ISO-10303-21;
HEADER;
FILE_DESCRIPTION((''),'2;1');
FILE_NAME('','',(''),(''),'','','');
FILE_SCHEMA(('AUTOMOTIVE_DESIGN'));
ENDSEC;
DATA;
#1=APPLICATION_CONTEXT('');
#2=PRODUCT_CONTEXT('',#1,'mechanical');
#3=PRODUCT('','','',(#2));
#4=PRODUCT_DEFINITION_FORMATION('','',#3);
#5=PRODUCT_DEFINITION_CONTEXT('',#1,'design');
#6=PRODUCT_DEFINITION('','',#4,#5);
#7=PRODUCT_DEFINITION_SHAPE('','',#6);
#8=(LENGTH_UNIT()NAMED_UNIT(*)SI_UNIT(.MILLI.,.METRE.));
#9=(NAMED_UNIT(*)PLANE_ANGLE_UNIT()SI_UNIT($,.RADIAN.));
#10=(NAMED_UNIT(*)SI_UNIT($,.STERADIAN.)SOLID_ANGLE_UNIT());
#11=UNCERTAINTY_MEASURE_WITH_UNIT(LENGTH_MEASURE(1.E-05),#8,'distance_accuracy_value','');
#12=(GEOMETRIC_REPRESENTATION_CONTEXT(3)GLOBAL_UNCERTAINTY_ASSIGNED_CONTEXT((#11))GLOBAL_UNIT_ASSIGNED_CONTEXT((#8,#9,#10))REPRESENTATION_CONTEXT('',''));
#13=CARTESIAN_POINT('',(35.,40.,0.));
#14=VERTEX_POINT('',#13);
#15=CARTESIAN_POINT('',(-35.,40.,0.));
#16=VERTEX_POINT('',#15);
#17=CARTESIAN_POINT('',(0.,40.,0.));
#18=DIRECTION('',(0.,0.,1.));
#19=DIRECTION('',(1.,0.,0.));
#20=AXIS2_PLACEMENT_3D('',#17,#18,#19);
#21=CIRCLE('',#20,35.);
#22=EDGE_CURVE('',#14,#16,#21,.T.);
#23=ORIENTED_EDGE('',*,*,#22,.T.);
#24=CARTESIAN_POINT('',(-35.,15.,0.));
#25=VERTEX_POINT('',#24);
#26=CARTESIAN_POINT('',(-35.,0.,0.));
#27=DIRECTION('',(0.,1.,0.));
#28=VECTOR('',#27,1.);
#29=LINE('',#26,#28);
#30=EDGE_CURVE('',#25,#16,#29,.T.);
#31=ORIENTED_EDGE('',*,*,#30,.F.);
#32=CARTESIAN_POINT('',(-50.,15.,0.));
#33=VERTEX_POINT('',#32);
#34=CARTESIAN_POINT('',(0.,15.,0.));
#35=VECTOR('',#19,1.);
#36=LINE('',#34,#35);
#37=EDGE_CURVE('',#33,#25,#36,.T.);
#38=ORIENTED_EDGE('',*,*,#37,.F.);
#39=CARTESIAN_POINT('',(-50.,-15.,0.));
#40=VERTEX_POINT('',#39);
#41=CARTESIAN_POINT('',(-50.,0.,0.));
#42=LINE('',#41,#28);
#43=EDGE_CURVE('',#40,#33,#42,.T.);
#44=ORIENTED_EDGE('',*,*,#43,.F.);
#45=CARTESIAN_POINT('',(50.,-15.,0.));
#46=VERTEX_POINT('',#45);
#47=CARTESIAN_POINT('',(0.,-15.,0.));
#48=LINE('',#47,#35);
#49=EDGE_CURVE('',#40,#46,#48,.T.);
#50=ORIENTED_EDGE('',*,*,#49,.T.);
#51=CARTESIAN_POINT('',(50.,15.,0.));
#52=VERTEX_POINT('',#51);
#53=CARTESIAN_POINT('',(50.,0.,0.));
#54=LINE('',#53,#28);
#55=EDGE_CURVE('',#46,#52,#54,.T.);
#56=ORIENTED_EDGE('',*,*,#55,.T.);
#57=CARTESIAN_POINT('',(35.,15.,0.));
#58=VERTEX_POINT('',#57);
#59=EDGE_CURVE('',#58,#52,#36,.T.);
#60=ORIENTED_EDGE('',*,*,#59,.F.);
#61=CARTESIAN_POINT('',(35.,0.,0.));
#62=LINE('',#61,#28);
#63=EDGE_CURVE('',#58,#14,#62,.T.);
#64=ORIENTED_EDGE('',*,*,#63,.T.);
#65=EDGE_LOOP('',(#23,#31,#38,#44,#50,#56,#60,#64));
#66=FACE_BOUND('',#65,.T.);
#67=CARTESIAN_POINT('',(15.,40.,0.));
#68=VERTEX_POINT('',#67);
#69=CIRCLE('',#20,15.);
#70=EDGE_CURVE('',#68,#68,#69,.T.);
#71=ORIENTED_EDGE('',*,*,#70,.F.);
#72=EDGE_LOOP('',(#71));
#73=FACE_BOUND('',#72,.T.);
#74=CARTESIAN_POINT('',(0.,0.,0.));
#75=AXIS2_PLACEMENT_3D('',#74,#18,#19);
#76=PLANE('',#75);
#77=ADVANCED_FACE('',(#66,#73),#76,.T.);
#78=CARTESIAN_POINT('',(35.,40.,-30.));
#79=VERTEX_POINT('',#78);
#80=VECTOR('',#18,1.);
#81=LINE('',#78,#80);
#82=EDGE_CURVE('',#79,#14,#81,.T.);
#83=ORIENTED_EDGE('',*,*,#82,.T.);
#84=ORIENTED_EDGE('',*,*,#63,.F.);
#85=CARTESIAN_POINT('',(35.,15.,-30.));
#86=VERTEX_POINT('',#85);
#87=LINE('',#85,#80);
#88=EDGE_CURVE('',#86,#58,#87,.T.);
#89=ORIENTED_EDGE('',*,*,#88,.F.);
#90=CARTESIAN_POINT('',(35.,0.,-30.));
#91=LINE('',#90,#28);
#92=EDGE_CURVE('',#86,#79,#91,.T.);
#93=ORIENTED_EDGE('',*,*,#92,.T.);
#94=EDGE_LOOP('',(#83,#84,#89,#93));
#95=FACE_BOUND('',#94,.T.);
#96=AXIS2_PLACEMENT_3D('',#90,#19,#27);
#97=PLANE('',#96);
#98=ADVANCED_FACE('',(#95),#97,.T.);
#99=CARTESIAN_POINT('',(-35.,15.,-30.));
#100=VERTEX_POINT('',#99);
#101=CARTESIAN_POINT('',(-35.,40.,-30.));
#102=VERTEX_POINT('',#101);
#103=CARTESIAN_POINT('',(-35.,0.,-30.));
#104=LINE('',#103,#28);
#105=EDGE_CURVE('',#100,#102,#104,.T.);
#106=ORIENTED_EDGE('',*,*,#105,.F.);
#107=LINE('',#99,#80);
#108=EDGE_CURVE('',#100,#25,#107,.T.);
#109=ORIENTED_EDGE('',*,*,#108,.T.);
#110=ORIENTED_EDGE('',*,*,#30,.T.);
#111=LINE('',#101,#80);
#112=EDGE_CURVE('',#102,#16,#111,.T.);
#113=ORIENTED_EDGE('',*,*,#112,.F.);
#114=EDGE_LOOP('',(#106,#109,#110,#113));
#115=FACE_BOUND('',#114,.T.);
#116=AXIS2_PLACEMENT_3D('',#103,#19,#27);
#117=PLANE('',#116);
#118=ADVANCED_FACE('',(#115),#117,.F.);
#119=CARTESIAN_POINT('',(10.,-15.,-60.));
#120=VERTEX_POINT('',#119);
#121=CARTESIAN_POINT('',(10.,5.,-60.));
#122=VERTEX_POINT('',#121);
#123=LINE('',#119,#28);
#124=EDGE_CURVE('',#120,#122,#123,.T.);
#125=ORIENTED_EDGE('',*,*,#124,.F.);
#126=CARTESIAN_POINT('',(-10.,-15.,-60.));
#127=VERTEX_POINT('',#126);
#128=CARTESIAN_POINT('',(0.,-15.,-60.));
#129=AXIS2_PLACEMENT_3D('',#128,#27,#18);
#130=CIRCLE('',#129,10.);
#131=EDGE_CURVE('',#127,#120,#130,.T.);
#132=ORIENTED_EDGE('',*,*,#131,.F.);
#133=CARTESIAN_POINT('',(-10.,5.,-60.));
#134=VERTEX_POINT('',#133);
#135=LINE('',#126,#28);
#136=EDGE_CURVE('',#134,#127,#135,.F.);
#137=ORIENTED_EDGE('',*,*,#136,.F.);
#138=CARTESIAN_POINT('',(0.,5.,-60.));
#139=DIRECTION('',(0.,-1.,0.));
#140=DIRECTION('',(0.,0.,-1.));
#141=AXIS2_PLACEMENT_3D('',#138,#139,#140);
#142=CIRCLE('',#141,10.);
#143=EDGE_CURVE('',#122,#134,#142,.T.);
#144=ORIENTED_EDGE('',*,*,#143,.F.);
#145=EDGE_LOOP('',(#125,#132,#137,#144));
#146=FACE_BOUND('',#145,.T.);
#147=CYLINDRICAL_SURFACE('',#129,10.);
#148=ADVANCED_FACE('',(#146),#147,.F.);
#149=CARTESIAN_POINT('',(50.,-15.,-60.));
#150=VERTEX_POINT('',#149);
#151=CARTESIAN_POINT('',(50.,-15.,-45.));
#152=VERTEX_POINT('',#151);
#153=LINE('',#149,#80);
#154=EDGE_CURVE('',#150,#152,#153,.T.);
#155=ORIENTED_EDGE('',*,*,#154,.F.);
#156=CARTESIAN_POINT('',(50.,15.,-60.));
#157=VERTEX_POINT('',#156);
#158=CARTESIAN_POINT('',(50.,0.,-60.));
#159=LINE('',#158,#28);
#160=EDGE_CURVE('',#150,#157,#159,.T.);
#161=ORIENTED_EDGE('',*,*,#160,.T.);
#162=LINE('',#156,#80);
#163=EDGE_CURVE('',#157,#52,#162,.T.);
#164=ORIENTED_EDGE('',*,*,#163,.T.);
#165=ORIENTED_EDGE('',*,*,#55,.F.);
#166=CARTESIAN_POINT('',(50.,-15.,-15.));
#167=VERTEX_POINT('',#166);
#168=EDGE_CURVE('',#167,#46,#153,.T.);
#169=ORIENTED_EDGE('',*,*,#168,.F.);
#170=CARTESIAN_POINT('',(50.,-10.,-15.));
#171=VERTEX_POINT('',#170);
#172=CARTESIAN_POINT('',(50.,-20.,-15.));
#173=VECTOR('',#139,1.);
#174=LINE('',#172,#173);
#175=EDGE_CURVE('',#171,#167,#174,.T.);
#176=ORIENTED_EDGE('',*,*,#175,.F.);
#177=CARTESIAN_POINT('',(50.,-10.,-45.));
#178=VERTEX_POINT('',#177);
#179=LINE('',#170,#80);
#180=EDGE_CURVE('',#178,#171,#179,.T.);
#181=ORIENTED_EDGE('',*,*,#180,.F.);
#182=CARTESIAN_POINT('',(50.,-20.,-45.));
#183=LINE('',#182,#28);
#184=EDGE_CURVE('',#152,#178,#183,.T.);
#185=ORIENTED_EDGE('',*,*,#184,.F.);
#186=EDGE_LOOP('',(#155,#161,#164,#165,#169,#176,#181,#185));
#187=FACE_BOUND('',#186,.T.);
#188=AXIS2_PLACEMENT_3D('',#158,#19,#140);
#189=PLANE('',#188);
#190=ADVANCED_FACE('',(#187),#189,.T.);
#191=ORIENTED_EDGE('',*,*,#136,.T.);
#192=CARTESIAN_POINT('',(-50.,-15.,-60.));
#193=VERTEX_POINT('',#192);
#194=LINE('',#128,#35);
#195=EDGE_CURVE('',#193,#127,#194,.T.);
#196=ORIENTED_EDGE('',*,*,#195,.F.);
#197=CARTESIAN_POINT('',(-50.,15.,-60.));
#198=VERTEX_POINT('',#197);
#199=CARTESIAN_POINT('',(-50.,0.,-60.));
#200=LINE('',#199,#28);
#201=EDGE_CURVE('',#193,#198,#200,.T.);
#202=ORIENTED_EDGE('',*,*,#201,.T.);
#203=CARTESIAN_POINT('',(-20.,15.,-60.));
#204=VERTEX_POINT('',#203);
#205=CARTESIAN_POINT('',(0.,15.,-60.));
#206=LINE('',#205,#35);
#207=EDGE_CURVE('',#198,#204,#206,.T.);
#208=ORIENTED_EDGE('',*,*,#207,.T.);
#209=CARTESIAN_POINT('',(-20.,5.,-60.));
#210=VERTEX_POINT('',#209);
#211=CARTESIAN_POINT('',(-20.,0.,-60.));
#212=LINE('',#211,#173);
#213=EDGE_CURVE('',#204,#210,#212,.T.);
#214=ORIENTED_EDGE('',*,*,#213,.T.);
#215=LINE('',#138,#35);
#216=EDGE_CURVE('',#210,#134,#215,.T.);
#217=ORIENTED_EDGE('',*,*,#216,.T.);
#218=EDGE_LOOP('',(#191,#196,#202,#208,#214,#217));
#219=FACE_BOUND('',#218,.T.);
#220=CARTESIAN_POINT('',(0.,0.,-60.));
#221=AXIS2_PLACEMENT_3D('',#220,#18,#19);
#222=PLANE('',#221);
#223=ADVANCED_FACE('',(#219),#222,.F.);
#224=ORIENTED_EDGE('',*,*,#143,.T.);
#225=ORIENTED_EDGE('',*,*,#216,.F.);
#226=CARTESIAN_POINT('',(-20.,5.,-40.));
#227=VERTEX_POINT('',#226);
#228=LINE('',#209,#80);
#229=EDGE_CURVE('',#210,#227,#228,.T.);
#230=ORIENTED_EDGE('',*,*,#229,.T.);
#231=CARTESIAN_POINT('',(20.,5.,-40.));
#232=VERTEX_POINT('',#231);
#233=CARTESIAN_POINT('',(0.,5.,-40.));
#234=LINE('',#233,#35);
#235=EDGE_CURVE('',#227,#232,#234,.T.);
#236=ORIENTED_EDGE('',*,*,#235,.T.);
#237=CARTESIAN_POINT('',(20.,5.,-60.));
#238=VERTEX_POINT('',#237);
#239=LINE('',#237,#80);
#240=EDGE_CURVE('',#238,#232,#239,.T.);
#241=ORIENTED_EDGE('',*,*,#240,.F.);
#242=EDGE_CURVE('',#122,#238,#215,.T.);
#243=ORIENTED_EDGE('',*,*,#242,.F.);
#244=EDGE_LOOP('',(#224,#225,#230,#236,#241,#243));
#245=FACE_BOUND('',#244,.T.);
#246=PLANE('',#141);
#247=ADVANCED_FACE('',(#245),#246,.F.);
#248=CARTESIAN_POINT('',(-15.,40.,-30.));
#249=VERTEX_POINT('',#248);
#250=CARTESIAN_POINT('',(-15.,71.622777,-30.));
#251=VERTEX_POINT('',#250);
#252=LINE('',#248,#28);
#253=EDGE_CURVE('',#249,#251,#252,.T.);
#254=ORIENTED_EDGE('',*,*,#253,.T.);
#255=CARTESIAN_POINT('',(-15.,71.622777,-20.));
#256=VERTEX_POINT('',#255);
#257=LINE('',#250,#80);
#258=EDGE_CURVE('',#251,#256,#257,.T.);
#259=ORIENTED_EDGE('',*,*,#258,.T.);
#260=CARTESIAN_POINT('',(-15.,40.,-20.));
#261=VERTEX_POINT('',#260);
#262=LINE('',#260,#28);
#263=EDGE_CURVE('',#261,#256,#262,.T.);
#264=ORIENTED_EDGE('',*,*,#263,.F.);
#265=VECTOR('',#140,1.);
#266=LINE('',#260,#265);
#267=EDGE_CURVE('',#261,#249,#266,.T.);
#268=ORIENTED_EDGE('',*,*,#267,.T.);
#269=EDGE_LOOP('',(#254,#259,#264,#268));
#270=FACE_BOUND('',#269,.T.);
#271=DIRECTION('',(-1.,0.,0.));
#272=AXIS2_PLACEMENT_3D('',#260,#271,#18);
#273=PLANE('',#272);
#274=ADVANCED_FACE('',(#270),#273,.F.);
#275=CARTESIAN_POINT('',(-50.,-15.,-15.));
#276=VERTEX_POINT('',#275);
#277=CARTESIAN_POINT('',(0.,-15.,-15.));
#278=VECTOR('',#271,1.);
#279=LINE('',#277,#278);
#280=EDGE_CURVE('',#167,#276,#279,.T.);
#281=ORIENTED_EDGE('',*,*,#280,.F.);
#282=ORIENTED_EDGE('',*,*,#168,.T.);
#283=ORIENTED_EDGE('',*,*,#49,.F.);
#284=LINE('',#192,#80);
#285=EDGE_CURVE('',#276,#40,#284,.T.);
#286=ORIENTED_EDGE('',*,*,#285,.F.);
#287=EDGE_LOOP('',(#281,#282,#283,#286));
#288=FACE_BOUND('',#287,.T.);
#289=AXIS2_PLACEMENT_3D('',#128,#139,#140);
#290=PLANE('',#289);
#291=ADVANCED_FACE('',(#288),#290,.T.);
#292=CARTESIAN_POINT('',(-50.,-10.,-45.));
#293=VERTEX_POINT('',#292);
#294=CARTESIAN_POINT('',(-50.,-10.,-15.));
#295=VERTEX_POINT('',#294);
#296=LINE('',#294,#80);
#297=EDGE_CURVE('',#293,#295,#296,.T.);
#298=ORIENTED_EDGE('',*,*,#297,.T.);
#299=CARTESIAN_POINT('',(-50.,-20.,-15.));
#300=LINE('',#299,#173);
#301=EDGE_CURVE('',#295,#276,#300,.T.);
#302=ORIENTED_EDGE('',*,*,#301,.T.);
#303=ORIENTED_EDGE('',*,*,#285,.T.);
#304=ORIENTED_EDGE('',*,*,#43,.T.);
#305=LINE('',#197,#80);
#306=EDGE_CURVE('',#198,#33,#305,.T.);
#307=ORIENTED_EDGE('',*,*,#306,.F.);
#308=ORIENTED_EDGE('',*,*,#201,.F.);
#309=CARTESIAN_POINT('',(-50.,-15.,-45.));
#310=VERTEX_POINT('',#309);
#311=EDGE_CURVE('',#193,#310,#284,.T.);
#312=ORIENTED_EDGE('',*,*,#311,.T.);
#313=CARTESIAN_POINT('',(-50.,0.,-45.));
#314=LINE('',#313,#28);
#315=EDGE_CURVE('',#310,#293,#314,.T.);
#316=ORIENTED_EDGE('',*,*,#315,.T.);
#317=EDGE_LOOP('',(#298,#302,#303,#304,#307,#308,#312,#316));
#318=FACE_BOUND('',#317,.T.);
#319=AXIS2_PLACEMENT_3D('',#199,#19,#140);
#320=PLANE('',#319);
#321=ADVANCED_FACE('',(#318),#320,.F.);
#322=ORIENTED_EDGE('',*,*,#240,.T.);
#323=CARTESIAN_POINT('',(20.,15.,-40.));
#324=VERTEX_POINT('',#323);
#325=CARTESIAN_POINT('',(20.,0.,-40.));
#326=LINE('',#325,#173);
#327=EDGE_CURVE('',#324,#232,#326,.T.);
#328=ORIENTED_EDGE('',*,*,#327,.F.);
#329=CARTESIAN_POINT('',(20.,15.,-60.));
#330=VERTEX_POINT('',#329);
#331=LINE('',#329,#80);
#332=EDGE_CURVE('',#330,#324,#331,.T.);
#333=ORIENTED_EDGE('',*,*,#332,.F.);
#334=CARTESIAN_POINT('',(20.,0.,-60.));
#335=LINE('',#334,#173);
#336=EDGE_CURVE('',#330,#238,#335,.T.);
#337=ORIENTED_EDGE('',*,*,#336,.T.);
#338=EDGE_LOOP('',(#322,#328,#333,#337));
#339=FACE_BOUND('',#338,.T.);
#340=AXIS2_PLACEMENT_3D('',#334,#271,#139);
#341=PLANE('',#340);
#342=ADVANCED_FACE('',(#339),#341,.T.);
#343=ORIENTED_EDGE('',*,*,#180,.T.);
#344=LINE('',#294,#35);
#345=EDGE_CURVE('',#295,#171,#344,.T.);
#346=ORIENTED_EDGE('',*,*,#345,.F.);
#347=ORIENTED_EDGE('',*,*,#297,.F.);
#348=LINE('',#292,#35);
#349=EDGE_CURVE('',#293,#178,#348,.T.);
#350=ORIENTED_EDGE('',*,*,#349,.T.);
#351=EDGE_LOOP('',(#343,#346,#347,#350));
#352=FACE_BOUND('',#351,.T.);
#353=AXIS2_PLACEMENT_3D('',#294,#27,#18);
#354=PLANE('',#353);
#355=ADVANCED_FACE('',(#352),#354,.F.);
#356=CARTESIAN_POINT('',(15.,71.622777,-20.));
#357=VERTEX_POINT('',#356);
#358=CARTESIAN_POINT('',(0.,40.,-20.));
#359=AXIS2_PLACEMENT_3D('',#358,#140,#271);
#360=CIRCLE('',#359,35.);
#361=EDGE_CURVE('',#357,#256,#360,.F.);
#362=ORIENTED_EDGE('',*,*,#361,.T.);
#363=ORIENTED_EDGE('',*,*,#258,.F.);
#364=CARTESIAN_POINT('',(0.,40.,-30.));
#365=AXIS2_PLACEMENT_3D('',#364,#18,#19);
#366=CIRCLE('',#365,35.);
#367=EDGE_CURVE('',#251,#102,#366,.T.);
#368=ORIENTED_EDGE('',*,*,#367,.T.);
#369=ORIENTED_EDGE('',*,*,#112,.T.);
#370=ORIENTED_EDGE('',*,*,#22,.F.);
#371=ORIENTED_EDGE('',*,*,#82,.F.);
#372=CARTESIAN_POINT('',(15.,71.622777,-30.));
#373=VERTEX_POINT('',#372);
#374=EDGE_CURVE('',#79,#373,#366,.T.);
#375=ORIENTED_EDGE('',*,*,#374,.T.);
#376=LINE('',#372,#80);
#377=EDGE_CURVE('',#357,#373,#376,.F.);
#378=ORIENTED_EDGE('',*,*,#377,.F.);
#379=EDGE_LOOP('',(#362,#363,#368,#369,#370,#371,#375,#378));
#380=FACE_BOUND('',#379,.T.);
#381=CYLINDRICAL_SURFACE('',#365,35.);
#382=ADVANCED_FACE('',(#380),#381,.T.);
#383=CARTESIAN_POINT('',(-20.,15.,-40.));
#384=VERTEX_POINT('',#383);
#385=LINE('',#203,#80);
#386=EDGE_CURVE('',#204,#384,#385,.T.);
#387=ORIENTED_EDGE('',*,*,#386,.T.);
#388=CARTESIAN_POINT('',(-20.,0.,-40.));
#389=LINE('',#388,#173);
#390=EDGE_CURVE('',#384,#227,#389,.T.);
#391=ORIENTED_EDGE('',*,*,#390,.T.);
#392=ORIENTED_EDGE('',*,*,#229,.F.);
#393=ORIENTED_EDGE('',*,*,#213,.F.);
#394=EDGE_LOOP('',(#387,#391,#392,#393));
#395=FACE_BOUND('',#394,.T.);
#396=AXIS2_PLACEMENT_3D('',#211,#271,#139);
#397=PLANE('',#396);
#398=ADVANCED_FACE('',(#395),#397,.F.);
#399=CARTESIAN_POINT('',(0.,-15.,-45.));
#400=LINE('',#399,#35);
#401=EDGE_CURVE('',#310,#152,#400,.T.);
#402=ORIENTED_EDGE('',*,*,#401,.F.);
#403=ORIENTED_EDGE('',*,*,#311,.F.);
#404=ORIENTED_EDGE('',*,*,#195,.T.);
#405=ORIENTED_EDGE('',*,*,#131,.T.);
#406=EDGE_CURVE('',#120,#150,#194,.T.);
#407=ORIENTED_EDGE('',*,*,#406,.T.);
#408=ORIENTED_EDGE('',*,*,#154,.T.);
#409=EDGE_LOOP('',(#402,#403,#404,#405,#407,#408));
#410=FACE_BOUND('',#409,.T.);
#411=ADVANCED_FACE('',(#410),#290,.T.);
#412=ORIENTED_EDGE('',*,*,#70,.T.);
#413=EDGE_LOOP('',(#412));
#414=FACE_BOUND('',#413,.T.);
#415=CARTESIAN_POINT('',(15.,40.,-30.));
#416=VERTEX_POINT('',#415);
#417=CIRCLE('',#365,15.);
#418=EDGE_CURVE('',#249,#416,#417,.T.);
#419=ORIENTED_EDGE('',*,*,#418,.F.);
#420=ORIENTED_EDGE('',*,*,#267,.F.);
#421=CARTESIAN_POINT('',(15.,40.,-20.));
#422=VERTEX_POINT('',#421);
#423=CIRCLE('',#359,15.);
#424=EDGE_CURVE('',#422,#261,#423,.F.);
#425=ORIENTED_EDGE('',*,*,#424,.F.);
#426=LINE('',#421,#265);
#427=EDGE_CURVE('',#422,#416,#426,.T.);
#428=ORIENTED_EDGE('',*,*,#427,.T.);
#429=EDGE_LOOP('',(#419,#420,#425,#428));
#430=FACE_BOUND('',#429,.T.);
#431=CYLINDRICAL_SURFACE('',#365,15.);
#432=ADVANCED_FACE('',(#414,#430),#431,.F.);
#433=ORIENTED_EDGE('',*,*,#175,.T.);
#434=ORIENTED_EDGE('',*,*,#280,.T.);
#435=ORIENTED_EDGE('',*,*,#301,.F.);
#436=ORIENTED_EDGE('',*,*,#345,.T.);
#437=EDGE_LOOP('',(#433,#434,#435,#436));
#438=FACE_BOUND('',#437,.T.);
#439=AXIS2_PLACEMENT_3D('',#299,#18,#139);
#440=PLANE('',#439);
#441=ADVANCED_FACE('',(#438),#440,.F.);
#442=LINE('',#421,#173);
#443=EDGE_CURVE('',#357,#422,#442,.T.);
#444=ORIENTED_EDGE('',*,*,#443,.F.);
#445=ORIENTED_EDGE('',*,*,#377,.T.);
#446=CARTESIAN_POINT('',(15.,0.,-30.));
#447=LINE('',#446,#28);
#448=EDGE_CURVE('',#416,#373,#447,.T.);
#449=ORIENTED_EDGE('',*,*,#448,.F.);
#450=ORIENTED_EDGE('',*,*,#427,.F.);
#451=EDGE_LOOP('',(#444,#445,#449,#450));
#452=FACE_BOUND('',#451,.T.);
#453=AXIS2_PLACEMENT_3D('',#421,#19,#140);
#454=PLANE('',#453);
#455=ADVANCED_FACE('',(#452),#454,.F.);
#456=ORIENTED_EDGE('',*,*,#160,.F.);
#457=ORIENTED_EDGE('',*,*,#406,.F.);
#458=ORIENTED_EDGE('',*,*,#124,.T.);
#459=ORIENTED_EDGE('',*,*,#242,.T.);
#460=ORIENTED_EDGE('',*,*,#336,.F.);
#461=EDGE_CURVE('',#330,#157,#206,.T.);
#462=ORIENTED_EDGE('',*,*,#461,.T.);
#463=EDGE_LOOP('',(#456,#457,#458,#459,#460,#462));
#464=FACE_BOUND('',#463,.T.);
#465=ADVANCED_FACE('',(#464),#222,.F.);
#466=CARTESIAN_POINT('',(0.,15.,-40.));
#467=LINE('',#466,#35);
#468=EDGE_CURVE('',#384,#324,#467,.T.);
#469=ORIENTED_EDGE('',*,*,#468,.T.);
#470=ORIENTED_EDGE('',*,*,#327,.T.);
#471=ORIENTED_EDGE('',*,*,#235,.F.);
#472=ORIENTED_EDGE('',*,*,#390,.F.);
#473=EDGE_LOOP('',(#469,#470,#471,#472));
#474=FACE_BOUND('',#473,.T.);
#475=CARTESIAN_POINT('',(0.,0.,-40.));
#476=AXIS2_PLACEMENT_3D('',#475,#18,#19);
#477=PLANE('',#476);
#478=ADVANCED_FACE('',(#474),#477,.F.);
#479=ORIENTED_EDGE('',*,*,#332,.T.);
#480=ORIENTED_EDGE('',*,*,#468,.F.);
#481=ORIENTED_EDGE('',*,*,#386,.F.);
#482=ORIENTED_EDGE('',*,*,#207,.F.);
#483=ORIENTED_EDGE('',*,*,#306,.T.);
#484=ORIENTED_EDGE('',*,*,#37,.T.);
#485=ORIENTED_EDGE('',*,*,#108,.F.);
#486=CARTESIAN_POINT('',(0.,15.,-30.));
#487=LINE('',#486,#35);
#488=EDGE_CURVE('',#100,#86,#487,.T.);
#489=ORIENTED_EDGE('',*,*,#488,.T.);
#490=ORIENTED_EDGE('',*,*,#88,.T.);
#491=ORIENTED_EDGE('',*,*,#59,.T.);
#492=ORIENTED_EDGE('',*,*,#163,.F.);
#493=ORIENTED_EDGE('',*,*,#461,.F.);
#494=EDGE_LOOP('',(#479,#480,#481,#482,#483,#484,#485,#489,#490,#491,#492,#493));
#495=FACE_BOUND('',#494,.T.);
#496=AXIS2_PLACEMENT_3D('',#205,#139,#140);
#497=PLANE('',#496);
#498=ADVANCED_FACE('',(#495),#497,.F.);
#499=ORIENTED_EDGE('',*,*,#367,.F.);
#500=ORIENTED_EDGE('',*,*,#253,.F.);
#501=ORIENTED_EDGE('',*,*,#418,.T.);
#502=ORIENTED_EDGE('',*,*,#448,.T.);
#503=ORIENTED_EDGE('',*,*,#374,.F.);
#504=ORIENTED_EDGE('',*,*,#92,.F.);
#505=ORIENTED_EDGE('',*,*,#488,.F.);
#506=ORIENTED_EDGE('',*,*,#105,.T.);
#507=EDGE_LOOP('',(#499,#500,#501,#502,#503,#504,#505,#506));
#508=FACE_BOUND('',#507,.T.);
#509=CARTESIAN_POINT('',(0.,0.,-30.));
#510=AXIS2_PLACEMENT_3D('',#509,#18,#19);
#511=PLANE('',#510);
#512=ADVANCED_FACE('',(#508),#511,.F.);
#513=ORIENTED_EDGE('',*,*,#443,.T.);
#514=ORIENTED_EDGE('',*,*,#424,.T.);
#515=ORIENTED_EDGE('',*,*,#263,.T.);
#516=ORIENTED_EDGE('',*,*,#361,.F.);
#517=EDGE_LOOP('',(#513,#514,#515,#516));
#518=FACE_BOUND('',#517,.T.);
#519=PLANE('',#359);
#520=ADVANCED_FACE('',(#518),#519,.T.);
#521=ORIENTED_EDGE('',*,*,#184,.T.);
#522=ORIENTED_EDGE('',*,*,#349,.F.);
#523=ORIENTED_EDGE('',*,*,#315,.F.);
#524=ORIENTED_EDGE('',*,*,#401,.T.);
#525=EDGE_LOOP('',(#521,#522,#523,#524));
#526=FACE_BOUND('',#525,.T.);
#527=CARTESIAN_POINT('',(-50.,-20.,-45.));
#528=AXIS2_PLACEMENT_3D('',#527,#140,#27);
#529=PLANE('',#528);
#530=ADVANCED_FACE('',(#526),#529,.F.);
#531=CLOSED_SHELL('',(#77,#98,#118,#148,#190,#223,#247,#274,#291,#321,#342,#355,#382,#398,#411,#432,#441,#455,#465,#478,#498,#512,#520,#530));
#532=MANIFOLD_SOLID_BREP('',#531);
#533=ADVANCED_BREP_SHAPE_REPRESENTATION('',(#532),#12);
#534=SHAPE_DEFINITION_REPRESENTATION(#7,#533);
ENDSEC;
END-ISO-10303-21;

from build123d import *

# Parameters (mm, degrees)
SKETCH1_W           = 100
SKETCH1_H           = 30
BOSS_EXTRUDE1_DEPTH = 60
SKETCH1_3_R         = 15
BOSS_EXTRUDE2_DEPTH = 30
CUT_EXTRUDE1_START  = -40
SKETCH1_4_W         = 40
SKETCH1_4_H         = 10
CUT_EXTRUDE1_DEPTH  = 69.282039139
SKETCH2_W           = 30
SKETCH2_H           = 10
CUT_EXTRUDE2_DEPTH  = 139.654246239
CUT_EXTRUDE3_START  = -10
CUT_EXTRUDE3_DEPTH  = 10
SKETCH4_R           = 10
CUT_EXTRUDE4_DEPTH  = 105.880884817


with BuildPart() as part:
    # Sketch1 → Boss-Extrude1 (new body)
    with BuildSketch(Plane.XY):
        Rectangle(SKETCH1_W, SKETCH1_H)
    extrude(amount=-BOSS_EXTRUDE1_DEPTH)

    # Sketch1<3> → Boss-Extrude2 (add)
    with BuildSketch(Plane.XY):
        with BuildLine():
            Line((-35, 40), (-35, 15))
            Line((-35, 15), (-20, 15))
            Line((-20, 15), (20, 15))
            Line((20, 15), (35, 15))
            Line((35, 15), (35, 40))
            ThreePointArc((35, 40), (0, 75), (-35, 40))
        make_face()
        with Locations((0, 40)):
            Circle(SKETCH1_3_R, mode=Mode.SUBTRACT)
    extrude(amount=-BOSS_EXTRUDE2_DEPTH)

    # Sketch1<4> → Cut-Extrude1 (cut, through all)
    with BuildSketch(Plane.XY.offset(CUT_EXTRUDE1_START)):
        with Locations((0, 10)):
            Rectangle(SKETCH1_4_W, SKETCH1_4_H)
    extrude(amount=-CUT_EXTRUDE1_DEPTH, mode=Mode.SUBTRACT)

    # Sketch2 → Cut-Extrude2 (cut, through all)
    with BuildSketch(Plane(origin=(50, 0, 0), x_dir=(0, 0, -1), z_dir=(1, 0, 0))):
        with Locations((30, -15)):
            Rectangle(SKETCH2_W, SKETCH2_H)
    extrude(amount=-CUT_EXTRUDE2_DEPTH, mode=Mode.SUBTRACT)

    # Sketch3 → Cut-Extrude3 (cut)
    with BuildSketch(Plane(origin=(0, 0, -30), x_dir=(-1, 0, 0), z_dir=(0, 0, -1)).offset(CUT_EXTRUDE3_START)):
        with BuildLine():
            Line((15, 40), (15, 85.033892836))
            Line((15, 85.033892836), (-15, 85.033892836))
            Line((-15, 85.033892836), (-15, 40))
            ThreePointArc((-15, 40), (0, 25), (15, 40))
        make_face()
    extrude(amount=CUT_EXTRUDE3_DEPTH, mode=Mode.SUBTRACT)

    # Sketch4 → Cut-Extrude4 (cut, through all)
    with BuildSketch(Plane(origin=(0, 5, 0), x_dir=(1, 0, 0), z_dir=(0, 1, 0))):
        with Locations((0, 60)):
            Circle(SKETCH4_R)
    extrude(amount=-CUT_EXTRUDE4_DEPTH, mode=Mode.SUBTRACT)


solid = part.part
